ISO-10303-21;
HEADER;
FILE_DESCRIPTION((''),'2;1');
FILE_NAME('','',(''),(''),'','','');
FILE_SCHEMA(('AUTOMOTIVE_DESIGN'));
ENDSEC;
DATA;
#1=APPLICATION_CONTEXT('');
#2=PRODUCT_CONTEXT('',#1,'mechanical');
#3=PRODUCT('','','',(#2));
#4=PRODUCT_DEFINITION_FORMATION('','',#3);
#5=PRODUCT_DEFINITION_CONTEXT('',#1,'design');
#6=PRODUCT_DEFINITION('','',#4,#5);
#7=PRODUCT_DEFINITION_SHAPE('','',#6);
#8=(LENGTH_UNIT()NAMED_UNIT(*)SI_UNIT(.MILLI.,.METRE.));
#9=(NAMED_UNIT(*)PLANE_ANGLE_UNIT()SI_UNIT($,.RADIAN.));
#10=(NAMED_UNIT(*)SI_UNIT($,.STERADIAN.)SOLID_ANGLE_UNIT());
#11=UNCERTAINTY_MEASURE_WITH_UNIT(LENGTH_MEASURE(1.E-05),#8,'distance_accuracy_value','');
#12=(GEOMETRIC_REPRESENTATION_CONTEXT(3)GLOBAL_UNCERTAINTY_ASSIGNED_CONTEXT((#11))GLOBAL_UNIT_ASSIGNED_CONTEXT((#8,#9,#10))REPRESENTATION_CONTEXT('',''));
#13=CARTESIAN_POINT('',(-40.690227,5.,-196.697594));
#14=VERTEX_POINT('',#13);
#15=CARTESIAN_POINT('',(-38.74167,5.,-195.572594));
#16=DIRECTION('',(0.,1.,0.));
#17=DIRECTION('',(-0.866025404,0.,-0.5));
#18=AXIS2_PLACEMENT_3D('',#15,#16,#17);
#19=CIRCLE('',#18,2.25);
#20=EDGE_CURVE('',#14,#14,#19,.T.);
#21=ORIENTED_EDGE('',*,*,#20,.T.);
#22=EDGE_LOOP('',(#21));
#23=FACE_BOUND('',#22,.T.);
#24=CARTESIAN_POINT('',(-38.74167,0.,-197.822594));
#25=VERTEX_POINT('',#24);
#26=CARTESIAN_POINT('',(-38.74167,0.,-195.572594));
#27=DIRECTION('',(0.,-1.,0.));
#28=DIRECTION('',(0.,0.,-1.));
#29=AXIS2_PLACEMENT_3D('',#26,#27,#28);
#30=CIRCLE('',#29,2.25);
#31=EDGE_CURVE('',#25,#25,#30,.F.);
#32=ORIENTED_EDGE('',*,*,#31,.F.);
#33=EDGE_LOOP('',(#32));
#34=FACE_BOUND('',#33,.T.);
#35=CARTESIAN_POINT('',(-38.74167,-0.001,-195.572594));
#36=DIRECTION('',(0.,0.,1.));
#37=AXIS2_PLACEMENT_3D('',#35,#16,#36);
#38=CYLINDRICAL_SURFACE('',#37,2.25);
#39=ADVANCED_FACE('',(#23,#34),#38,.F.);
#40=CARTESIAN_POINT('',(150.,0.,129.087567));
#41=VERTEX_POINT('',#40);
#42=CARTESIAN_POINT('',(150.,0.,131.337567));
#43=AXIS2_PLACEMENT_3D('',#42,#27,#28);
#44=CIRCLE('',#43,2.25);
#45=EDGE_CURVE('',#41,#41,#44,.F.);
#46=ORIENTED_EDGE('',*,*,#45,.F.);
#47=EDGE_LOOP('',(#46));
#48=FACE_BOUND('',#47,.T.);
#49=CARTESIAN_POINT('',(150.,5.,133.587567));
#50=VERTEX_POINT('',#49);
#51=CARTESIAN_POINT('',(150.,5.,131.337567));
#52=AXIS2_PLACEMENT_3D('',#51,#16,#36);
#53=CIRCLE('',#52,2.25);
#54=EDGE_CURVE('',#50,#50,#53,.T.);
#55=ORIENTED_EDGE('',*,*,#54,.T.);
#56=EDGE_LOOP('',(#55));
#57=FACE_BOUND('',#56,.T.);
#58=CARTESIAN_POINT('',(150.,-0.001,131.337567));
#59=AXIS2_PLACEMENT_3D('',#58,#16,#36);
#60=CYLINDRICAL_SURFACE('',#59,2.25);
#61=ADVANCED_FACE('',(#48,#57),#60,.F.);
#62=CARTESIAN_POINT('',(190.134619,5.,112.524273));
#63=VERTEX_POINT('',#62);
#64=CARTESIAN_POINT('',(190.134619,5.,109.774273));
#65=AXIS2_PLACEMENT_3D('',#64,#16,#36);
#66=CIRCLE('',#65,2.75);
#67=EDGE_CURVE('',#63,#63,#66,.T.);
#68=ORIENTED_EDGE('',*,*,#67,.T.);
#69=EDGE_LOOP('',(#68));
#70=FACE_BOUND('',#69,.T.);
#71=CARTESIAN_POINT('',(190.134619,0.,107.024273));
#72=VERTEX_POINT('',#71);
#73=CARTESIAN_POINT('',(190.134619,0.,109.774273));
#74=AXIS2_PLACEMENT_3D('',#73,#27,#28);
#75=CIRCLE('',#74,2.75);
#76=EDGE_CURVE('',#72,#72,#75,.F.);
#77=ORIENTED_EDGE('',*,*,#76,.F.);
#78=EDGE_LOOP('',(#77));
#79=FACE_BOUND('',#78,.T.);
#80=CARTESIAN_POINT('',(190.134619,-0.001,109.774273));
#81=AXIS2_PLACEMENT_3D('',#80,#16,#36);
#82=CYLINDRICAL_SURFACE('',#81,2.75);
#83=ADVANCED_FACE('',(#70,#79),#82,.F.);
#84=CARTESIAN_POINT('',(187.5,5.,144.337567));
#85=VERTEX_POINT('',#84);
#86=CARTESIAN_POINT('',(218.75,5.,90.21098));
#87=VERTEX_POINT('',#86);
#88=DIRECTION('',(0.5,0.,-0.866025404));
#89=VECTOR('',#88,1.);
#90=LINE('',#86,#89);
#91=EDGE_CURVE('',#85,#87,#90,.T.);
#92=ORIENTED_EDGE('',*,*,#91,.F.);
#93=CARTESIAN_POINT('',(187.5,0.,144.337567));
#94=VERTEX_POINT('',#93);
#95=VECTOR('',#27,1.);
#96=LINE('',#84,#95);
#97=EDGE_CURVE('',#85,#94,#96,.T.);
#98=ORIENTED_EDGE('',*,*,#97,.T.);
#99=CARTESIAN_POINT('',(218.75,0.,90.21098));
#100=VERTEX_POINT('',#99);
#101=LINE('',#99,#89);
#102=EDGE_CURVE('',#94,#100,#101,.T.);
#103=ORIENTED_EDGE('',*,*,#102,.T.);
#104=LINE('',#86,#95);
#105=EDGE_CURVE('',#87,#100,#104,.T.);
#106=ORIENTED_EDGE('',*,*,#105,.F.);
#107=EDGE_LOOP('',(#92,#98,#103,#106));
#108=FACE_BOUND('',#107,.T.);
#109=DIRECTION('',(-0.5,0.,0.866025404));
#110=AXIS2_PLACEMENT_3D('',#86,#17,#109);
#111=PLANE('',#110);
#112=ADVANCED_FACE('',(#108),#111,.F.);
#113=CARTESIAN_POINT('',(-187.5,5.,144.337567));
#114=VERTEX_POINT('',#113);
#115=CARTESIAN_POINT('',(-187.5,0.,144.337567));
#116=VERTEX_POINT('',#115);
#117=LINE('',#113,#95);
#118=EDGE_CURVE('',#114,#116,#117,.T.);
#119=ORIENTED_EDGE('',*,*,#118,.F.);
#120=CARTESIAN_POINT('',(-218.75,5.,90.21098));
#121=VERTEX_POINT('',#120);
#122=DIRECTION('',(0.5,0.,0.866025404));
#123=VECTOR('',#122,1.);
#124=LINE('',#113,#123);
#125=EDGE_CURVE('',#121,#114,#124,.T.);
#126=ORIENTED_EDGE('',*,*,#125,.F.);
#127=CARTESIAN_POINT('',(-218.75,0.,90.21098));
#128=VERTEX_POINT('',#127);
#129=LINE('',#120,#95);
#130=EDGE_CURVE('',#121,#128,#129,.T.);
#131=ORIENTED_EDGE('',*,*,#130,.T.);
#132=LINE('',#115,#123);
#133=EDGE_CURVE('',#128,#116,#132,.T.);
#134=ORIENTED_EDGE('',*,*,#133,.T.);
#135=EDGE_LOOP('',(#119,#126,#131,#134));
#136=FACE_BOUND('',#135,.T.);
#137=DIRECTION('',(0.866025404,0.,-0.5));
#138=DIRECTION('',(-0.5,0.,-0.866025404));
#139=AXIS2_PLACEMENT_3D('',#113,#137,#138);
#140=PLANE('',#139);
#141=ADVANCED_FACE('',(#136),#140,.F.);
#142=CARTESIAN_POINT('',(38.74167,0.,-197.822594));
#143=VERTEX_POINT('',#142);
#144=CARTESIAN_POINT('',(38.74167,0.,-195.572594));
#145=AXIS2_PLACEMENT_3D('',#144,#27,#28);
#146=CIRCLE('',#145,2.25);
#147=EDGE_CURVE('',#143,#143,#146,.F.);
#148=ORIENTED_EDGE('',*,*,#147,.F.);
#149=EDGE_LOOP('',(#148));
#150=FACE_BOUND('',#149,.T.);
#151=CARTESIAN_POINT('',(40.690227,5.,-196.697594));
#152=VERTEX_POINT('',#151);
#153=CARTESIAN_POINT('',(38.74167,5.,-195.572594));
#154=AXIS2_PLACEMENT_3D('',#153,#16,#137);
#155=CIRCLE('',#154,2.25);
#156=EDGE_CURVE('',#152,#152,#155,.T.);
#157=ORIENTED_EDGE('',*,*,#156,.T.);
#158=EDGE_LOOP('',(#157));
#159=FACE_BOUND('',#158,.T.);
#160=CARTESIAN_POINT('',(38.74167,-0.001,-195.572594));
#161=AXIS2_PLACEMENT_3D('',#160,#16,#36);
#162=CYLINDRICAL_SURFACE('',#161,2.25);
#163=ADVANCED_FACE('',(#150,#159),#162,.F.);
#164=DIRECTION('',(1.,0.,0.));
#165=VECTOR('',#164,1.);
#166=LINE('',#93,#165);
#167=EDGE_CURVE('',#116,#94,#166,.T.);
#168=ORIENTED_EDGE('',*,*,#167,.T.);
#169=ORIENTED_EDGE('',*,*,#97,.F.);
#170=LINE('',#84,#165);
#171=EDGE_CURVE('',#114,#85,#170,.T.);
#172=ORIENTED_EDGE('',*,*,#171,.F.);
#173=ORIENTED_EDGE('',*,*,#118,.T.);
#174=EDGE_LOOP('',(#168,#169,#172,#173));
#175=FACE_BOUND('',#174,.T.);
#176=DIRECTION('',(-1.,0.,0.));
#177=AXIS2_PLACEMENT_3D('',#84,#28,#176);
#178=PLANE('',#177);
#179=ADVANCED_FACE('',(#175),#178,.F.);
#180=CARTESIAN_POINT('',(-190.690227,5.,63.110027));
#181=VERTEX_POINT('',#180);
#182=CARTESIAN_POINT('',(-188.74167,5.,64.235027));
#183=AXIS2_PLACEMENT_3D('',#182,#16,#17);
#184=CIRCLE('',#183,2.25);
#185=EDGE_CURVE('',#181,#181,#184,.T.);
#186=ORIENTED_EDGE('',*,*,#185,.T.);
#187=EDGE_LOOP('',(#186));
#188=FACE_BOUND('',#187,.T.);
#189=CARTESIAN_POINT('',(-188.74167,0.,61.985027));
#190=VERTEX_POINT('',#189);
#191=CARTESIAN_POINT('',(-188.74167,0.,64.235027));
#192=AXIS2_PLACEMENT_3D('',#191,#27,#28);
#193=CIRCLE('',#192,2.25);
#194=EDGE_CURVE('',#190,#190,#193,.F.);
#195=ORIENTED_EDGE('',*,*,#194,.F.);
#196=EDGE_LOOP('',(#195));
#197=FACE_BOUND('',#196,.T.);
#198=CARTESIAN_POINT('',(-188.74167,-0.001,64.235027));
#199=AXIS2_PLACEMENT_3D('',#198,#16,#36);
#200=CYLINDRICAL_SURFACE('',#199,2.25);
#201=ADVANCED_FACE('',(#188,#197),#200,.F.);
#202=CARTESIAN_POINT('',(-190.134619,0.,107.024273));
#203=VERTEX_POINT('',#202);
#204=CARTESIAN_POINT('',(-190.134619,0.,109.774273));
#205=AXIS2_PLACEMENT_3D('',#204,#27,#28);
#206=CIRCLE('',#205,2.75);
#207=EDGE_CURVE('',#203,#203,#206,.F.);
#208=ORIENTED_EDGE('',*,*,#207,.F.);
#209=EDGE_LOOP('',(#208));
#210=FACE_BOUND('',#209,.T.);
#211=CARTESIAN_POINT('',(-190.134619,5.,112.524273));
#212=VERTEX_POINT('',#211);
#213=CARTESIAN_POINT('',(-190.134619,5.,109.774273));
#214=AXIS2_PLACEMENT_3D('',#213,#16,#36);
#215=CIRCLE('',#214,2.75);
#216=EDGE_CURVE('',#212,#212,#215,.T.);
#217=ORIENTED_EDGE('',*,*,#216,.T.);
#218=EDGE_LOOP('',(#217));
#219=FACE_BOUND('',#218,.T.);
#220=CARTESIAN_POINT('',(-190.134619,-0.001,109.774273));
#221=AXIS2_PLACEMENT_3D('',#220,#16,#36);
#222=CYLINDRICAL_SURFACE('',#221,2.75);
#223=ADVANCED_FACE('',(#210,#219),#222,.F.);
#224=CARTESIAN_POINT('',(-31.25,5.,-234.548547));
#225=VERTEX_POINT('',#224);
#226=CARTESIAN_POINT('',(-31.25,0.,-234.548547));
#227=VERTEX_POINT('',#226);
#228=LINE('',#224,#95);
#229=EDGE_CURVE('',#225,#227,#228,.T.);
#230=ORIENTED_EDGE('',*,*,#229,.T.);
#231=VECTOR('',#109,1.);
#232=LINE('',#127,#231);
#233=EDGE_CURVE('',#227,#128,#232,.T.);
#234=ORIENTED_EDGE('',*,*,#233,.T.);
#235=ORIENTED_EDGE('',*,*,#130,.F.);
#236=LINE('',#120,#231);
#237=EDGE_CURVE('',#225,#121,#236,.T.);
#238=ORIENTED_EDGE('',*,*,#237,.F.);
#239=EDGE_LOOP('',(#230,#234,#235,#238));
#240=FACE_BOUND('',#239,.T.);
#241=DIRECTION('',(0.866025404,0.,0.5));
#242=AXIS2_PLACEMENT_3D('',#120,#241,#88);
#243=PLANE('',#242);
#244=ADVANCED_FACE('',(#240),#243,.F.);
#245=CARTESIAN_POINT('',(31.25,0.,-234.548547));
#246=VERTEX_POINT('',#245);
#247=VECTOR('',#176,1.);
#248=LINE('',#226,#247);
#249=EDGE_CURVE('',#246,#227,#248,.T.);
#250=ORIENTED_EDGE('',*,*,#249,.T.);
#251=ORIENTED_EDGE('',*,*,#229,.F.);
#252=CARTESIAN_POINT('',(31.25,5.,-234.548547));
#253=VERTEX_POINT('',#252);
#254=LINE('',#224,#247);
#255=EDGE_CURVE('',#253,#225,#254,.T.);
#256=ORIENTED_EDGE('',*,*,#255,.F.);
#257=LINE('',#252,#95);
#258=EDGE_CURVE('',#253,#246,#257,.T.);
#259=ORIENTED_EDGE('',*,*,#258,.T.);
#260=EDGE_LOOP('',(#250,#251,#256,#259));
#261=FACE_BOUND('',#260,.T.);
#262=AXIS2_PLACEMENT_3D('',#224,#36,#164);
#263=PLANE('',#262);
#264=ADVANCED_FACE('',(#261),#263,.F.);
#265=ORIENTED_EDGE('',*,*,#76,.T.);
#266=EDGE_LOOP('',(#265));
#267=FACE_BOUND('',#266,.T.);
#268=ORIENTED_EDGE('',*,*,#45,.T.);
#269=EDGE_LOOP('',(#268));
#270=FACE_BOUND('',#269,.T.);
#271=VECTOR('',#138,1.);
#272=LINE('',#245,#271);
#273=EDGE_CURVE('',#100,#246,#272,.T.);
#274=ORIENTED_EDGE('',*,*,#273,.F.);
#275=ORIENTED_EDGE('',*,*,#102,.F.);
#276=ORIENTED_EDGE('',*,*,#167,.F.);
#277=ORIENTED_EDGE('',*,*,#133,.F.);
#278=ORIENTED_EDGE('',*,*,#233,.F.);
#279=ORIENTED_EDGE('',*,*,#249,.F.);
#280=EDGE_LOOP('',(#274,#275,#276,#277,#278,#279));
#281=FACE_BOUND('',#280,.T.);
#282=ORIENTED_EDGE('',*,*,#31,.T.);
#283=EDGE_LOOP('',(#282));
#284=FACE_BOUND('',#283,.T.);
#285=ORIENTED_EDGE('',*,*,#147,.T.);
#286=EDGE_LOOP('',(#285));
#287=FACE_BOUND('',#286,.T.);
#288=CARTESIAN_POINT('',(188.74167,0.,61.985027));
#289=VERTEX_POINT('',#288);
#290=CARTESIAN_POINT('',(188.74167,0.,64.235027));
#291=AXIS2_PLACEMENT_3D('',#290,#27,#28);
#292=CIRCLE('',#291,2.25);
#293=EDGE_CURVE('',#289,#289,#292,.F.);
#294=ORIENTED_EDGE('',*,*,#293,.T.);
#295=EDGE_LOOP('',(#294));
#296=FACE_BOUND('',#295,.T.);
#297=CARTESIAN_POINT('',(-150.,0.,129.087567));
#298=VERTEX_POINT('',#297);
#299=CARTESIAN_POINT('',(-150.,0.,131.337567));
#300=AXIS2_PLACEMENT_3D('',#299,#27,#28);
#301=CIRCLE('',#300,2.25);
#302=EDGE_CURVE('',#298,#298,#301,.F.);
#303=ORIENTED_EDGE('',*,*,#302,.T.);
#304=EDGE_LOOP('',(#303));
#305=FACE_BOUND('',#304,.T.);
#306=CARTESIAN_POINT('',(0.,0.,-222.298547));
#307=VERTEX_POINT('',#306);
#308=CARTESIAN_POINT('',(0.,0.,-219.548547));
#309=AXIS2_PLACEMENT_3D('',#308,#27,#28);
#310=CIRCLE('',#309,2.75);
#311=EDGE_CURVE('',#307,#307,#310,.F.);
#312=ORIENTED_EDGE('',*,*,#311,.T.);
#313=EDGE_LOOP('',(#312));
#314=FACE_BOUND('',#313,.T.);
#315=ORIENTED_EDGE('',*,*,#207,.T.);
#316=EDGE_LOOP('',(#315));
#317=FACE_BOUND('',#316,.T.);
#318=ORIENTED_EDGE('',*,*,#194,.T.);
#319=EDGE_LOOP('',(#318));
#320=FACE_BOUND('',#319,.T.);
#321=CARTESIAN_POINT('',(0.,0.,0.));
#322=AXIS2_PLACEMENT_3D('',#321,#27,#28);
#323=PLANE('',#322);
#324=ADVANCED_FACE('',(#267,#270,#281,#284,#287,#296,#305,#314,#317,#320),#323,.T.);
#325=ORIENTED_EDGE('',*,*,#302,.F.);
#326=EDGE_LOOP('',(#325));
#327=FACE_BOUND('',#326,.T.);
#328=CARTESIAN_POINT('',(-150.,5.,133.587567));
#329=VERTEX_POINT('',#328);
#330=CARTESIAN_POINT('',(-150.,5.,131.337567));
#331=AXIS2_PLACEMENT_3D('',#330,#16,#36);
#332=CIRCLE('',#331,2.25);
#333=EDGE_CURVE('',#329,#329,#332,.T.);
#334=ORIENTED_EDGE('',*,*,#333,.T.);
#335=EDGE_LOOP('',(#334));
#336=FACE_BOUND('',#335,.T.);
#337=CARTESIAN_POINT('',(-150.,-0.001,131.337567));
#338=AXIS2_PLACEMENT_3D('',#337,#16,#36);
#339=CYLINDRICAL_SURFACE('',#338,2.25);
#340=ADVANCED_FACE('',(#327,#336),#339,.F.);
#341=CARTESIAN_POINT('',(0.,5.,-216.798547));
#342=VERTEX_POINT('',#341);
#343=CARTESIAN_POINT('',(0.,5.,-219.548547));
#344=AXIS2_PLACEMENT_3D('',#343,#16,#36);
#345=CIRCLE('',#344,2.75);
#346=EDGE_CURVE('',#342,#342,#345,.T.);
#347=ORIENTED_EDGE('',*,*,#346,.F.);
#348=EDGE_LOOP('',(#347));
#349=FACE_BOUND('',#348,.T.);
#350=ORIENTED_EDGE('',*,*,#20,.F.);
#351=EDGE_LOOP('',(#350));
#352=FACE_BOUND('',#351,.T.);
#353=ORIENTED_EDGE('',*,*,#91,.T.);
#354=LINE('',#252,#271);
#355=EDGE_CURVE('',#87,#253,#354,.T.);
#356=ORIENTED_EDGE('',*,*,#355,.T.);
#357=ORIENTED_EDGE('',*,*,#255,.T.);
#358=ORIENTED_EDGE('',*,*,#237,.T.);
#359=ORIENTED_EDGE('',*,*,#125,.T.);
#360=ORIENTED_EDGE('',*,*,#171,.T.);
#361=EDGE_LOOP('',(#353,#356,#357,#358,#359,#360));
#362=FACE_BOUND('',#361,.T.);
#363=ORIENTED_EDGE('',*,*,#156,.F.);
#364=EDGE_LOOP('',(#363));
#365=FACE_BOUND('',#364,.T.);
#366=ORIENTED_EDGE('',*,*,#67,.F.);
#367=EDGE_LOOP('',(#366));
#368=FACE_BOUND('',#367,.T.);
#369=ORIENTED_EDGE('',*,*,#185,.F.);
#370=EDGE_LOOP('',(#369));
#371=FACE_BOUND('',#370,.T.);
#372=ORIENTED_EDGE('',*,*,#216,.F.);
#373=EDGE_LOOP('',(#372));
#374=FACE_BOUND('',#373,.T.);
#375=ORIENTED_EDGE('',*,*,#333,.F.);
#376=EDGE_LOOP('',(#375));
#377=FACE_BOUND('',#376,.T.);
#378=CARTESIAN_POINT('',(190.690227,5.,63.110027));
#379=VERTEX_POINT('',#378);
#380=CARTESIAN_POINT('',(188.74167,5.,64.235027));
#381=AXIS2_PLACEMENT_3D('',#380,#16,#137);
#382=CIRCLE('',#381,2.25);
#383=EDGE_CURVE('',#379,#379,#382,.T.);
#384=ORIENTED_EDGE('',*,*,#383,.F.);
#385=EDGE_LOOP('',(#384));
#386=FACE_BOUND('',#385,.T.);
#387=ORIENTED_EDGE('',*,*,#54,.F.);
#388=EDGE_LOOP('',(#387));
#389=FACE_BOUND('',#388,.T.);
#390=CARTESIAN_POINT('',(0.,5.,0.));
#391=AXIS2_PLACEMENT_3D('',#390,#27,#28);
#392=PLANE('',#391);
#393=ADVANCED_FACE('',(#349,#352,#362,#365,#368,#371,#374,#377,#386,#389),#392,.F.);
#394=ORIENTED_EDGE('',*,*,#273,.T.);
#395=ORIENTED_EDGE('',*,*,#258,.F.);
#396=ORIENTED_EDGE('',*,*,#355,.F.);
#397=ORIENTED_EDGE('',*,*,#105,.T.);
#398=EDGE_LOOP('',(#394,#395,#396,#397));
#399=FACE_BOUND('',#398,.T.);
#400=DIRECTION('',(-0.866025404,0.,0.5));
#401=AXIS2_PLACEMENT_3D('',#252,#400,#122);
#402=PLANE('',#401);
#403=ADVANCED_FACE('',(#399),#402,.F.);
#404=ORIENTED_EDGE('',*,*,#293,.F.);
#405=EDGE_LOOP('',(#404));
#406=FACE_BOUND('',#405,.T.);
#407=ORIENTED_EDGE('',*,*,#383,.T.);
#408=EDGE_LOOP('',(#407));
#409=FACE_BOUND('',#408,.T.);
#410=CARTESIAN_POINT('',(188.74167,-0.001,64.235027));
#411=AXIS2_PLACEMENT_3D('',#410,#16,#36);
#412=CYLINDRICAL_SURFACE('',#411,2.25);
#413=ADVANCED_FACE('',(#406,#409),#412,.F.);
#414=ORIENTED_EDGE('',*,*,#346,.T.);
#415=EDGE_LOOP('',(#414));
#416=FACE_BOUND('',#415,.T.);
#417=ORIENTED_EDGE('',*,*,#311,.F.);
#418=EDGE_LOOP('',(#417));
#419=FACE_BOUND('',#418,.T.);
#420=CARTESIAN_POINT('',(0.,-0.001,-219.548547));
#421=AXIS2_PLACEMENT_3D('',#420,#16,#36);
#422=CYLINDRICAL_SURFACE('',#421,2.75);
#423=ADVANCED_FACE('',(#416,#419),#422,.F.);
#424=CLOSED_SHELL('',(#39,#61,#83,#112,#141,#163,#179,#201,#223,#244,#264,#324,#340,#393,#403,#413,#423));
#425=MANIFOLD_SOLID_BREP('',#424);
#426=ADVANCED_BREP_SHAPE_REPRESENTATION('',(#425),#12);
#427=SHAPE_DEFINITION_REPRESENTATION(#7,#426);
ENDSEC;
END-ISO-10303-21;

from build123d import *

# Parameters (mm, degrees)
BOSS_EXTRU_1_DEPTH           = 5
ENL_V_MAT_EXTRU_1_REACH      = 322.764
ESQUISSE2_R                  = 2.75
ENL_V_MAT_EXTRU_4_REACH      = 322.764
ESQUISSE6_R                  = 2.25
R_P_TITION_CIRCULAIRE2_COUNT = 3


with BuildPart() as part:
    # Esquisse1 → Boss.-Extru.1 (new body)
    with BuildSketch(Plane(origin=(0, 0, 0), x_dir=(1, 0, 0), z_dir=(0, 1, 0))):
        Polygon((-31.25, 234.548546858), (31.25, 234.548546858), (218.75, -90.210979561), (187.5, -144.337567297), (-187.5, -144.337567297), (-218.75, -90.210979561), align=None)
    extrude(amount=BOSS_EXTRU_1_DEPTH)

    # Esquisse2 → Enlèv. mat.-Extru.1 (cut, up to next)
    with BuildSketch(Plane(origin=(0, 5, 0), x_dir=(1, 0, 0), z_dir=(0, 1, 0)), mode=Mode.PRIVATE) as enl_v_mat_extru_1_sk1:
        with Locations((0, 219.548546858)):
            Circle(ESQUISSE2_R)
    enl_v_mat_extru_1_tool1 = extrude(enl_v_mat_extru_1_sk1.sketch, amount=-ENL_V_MAT_EXTRU_1_REACH, mode=Mode.PRIVATE) & part.part
    # Esquisse2 → Enlèv. mat.-Extru.1 (cut, up to next)
    with BuildSketch(Plane(origin=(0, 5, 0), x_dir=(1, 0, 0), z_dir=(0, 1, 0)), mode=Mode.PRIVATE) as enl_v_mat_extru_1_sk2:
        with Locations((-190.134618943, -109.774273429)):
            Circle(ESQUISSE2_R)
    enl_v_mat_extru_1_tool2 = extrude(enl_v_mat_extru_1_sk2.sketch, amount=-ENL_V_MAT_EXTRU_1_REACH, mode=Mode.PRIVATE) & part.part
    # Esquisse2 → Enlèv. mat.-Extru.1 (cut, up to next)
    with BuildSketch(Plane(origin=(0, 5, 0), x_dir=(1, 0, 0), z_dir=(0, 1, 0)), mode=Mode.PRIVATE) as enl_v_mat_extru_1_sk3:
        with Locations((190.134618943, -109.774273429)):
            Circle(ESQUISSE2_R)
    enl_v_mat_extru_1_tool3 = extrude(enl_v_mat_extru_1_sk3.sketch, amount=-ENL_V_MAT_EXTRU_1_REACH, mode=Mode.PRIVATE) & part.part
    add(enl_v_mat_extru_1_tool1.solids().sort_by_distance((0, 5, -219.548547))[0], mode=Mode.SUBTRACT)
    add(enl_v_mat_extru_1_tool2.solids().sort_by_distance((-190.134619, 5, 109.774273))[0], mode=Mode.SUBTRACT)
    add(enl_v_mat_extru_1_tool3.solids().sort_by_distance((190.134619, 5, 109.774273))[0], mode=Mode.SUBTRACT)

    # Esquisse6 → Enlèv. mat.-Extru.4 (cut, up to next)
    with BuildSketch(Plane(origin=(0, 5, 0), x_dir=(1, 0, 0), z_dir=(0, 1, 0)), mode=Mode.PRIVATE) as enl_v_mat_extru_4_sk1:
        with Locations((-150, -131.337567297)):
            Circle(ESQUISSE6_R)
    enl_v_mat_extru_4_tool1 = extrude(enl_v_mat_extru_4_sk1.sketch, amount=-ENL_V_MAT_EXTRU_4_REACH, mode=Mode.PRIVATE) & part.part
    # Esquisse6 → Enlèv. mat.-Extru.4 (cut, up to next)
    with BuildSketch(Plane(origin=(0, 5, 0), x_dir=(1, 0, 0), z_dir=(0, 1, 0)), mode=Mode.PRIVATE) as enl_v_mat_extru_4_sk2:
        with Locations((150, -131.337567297)):
            Circle(ESQUISSE6_R)
    enl_v_mat_extru_4_tool2 = extrude(enl_v_mat_extru_4_sk2.sketch, amount=-ENL_V_MAT_EXTRU_4_REACH, mode=Mode.PRIVATE) & part.part
    enl_v_mat_extru_4_1 = enl_v_mat_extru_4_tool1.solids().sort_by_distance((-150, 5, 131.337567))[0]
    add(enl_v_mat_extru_4_1, mode=Mode.SUBTRACT)
    enl_v_mat_extru_4_2 = enl_v_mat_extru_4_tool2.solids().sort_by_distance((150, 5, 131.337567))[0]
    add(enl_v_mat_extru_4_2, mode=Mode.SUBTRACT)
    enl_v_mat_extru_4 = enl_v_mat_extru_4_1 + enl_v_mat_extru_4_2  # Enlèv. mat.-Extru.4 as one shape, for the pattern or mirror that repeats it

    # Répétition circulaire2: Enlèv. mat.-Extru.4 ×3 about axis
    r_p_tition_circulaire2_axis = Axis((0, -0.25, 0), (0, 1, 0))
    for i in range(1, R_P_TITION_CIRCULAIRE2_COUNT):
        add(enl_v_mat_extru_4.rotate(r_p_tition_circulaire2_axis, i * 360 / R_P_TITION_CIRCULAIRE2_COUNT), mode=Mode.SUBTRACT)


solid = part.part
